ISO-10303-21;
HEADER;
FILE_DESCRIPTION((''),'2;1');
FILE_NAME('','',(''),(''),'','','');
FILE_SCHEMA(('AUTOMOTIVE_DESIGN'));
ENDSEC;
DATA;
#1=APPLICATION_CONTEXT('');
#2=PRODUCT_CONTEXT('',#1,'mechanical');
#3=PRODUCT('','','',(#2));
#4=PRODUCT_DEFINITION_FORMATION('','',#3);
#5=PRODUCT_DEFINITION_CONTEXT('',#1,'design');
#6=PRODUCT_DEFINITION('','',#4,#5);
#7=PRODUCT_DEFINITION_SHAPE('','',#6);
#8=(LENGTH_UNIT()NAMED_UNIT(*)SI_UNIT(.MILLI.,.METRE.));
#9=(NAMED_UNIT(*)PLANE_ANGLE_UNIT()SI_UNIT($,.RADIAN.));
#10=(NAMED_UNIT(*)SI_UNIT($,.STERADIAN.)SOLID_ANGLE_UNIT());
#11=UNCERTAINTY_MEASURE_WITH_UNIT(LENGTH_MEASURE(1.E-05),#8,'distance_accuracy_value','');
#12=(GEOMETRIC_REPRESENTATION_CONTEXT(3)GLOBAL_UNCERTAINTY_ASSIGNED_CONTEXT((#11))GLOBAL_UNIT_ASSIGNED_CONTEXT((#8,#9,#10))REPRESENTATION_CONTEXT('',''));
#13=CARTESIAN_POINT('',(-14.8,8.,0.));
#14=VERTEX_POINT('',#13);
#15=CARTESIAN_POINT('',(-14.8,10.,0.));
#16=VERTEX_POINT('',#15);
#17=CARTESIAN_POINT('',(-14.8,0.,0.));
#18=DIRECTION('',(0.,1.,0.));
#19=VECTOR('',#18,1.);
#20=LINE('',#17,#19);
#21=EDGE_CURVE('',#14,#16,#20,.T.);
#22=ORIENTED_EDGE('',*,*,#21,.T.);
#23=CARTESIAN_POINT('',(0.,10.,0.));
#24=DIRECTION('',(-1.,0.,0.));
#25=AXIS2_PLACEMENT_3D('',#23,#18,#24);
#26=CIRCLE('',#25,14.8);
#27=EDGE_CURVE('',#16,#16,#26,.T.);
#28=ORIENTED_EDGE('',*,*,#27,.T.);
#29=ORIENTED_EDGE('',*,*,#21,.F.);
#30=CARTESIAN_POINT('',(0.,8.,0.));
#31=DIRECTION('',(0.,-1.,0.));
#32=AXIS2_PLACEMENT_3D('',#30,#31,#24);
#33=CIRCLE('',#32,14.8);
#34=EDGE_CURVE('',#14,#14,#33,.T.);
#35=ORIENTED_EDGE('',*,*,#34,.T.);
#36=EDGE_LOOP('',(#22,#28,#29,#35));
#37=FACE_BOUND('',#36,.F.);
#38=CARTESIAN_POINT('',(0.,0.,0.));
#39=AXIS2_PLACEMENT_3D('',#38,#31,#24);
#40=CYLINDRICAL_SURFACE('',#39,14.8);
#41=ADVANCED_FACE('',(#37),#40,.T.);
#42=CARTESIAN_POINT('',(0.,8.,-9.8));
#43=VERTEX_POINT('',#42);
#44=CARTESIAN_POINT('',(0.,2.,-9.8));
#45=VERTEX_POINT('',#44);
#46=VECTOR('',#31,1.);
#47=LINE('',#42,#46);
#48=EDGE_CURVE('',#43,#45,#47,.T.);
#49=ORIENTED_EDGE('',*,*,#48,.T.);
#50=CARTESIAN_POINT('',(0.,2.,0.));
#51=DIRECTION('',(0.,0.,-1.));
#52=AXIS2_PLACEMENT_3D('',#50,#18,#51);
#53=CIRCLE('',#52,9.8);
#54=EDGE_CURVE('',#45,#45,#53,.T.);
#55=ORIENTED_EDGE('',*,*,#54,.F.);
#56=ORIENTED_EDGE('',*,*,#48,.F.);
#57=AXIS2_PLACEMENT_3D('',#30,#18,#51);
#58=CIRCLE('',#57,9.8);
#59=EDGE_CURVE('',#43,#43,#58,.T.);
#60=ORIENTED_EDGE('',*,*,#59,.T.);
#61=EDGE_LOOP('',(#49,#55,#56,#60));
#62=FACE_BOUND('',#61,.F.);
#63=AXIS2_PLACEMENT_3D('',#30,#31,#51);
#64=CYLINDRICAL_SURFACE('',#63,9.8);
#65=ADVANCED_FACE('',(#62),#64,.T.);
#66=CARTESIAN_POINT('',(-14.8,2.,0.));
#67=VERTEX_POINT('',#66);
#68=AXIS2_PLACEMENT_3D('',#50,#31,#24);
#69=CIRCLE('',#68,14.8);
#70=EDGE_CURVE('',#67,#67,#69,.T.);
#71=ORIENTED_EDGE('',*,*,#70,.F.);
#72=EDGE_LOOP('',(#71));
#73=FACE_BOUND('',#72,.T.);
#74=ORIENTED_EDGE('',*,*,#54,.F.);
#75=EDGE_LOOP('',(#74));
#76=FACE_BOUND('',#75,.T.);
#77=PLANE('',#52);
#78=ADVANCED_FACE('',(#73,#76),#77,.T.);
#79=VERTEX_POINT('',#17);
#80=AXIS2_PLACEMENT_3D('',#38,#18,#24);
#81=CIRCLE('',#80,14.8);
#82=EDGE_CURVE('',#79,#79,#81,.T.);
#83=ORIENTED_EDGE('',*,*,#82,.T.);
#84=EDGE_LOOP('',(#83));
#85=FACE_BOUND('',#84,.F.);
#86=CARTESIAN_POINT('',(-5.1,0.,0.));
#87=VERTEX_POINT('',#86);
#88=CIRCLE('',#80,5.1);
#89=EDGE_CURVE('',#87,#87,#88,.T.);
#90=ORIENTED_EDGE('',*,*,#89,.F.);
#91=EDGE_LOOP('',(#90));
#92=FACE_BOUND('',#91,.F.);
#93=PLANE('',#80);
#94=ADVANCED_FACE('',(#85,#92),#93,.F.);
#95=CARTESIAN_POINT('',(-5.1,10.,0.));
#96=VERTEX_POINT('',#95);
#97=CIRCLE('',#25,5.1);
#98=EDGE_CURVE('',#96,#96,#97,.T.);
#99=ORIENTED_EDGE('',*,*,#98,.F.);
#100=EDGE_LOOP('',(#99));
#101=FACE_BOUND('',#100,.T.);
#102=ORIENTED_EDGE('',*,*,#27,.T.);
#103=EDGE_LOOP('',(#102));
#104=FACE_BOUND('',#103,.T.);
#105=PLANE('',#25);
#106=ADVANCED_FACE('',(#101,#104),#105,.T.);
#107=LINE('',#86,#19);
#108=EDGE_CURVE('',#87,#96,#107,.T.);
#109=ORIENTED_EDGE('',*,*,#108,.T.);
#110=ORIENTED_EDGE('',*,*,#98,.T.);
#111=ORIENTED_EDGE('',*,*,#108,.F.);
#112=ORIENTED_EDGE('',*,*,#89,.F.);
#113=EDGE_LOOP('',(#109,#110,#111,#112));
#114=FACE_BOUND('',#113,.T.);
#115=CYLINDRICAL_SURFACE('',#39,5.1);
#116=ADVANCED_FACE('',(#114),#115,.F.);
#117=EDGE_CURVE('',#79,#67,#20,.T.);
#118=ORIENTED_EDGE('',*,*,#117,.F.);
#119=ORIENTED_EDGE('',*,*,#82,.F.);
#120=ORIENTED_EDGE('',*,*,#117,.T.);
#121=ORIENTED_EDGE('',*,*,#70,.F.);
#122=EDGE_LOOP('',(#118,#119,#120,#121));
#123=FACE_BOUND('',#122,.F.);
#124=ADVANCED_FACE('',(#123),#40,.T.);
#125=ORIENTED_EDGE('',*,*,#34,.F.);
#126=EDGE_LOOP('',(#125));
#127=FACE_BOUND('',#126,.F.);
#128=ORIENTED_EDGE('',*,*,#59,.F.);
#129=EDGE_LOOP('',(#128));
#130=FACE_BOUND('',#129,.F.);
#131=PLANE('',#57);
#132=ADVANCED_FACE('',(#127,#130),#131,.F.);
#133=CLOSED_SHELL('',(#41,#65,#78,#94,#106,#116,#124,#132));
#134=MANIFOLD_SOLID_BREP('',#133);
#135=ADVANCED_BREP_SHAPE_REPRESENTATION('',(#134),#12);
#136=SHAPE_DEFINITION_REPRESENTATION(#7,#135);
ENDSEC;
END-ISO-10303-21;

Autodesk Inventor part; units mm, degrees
ref_plane "YZ Plane" through (0, 0, 0) normal (1, 0, 0) x (0, 1, 0)
ref_plane "XZ Plane" through (0, 0, 0) normal (0, 1, 0) x (-1, 0, 0)
ref_plane "XY Plane" through (0, 0, 0) normal (0, 0, 1) x (1, 0, 0)
sketch "Sketch1" plane through (0, 0, 0) normal (0, 1, 0) x (-1, 0, 0)
  circle A0 centre (0, 0) radius 4.8 construction
  circle A1 centre (0, 0) radius 14.8
  circle A2 centre (0, 0) radius 5.1
  dimension "d0" = 9.6
  dimension "d1" = 10
  dimension "d2" = 0.3
extrude "Extrusion1" add sketch "Sketch1" along normal blind 10
sketch "Sketch2" plane through (0, 0, 0) normal (1, 0, 0) x (0, 1, 0)
  line L0 (10, -14.8) -> (10, 14.8) projected
  line L1 (0, 14.8) -> (0, -14.8) projected
  line L2 (0, 14.8) -> (0, -14.8) projected
  line L3 (0, -14.8) -> (2, -14.8)
  line L4 (0, -14.8) -> (10, -14.8) projected
  line L5 (2, -14.8) -> (2, -9.8)
  line L6 (10, -14.8) -> (8, -14.8)
  line L7 (8, -14.8) -> (8, -9.8)
  line L8 (8, -9.8) -> (2, -9.8)
  line L9 (2, -14.8) -> (8, -14.8)
  line L10 (-2, 0) -> (12, 0) projected
  point P0 (0, 0)
  dimension "d5" = 2
  dimension "d6" = 5
  dimension "d7" = 2
  dimension "d8" = 5
revolve "Revolution1" cut sketch "Sketch2" angle 360 about axis through (0, 0, 0) along (0, 1, 0) contours L4 L5 L8 L7
properties part number "REEL"
